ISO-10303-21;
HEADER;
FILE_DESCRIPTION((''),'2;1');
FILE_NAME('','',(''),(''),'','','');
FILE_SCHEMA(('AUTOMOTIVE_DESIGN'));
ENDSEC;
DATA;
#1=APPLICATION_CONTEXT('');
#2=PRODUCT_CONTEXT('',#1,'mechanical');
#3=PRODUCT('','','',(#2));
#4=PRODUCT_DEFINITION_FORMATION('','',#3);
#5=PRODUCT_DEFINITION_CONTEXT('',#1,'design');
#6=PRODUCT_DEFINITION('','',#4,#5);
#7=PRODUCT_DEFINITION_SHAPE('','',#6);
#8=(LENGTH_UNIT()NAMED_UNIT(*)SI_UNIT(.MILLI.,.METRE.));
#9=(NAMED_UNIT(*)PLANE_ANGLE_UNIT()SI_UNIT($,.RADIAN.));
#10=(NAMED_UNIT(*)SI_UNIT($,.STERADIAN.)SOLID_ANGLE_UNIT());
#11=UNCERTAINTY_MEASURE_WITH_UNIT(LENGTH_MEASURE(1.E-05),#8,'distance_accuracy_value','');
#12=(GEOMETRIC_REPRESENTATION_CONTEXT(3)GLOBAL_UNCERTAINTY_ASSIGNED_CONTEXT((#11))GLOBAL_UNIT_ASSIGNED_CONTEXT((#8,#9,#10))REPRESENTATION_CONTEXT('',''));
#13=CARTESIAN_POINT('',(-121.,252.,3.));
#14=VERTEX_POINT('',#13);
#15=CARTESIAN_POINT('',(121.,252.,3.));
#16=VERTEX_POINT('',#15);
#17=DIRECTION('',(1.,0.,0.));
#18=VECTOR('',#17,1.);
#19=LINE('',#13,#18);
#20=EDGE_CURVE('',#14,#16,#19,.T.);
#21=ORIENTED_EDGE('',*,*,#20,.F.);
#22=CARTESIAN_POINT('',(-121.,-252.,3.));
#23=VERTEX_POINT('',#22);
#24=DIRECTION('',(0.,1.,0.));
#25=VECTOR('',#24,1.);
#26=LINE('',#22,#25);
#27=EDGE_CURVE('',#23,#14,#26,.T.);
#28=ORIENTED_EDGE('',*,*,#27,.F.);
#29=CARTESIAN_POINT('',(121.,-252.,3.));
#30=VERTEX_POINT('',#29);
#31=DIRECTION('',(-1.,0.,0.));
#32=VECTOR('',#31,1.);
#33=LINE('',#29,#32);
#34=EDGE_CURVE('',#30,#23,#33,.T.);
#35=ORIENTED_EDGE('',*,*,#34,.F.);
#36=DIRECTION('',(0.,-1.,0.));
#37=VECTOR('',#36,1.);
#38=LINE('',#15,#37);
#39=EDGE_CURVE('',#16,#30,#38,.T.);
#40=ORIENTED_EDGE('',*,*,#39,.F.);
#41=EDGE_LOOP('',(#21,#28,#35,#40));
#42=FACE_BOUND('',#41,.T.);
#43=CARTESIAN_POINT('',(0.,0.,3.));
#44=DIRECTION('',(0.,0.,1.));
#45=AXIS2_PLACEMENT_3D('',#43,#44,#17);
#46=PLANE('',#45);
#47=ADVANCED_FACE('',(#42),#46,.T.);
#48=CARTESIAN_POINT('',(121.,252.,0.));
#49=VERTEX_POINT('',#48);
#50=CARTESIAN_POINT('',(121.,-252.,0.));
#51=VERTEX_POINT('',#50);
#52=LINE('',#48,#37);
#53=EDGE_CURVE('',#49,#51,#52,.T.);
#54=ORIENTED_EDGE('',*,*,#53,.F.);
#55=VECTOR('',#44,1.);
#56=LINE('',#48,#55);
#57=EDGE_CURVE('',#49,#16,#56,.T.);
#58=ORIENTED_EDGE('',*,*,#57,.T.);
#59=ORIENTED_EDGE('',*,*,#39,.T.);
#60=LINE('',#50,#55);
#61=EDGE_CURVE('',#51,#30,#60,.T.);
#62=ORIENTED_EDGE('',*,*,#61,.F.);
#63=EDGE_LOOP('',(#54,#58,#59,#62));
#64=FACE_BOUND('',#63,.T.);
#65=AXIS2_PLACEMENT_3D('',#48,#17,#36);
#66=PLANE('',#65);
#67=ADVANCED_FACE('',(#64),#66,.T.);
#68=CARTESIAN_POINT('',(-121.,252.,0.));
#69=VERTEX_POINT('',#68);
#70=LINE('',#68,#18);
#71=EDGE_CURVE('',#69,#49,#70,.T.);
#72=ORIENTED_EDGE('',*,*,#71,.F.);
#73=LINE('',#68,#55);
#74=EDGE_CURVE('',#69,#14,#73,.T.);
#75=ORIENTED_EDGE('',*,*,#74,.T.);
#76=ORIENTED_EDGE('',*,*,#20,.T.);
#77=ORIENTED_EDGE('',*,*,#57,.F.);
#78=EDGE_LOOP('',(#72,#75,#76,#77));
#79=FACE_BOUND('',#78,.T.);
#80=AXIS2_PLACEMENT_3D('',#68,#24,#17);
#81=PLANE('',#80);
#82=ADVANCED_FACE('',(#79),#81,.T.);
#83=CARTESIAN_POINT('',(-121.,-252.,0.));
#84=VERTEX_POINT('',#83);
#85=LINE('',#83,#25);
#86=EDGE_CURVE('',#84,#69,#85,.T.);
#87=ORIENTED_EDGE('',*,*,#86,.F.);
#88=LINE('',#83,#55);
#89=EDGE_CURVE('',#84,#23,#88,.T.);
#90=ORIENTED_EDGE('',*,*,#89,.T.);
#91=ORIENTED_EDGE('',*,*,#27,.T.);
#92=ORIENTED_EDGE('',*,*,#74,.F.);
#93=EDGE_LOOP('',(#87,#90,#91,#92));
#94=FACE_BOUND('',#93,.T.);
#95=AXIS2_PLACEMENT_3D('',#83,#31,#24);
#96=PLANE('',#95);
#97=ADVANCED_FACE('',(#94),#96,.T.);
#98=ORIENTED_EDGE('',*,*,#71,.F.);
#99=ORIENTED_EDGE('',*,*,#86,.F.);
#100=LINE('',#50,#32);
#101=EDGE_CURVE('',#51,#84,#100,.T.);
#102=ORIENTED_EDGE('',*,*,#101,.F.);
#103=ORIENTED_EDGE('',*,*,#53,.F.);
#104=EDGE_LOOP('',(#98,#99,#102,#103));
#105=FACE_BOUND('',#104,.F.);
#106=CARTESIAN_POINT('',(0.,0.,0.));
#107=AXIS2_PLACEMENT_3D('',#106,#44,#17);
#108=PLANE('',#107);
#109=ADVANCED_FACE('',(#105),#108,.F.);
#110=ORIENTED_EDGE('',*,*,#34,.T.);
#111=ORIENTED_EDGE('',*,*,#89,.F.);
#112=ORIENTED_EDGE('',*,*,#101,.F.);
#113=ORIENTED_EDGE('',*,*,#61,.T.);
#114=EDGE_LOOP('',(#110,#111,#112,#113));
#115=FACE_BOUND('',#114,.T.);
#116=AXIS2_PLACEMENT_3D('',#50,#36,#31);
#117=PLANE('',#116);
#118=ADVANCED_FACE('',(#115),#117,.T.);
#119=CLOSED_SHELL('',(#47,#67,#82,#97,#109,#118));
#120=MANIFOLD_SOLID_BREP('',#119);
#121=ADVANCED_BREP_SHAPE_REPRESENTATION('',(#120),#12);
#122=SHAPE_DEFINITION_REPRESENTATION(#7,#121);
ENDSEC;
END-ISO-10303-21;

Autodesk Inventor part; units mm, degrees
ref_plane "YZ Plane" through (0, 0, 0) normal (1, 0, 0) x (0, 1, 0)
ref_plane "XZ Plane" through (0, 0, 0) normal (0, 1, 0) x (-1, 0, 0)
ref_plane "XY Plane" through (0, 0, 0) normal (0, 0, 1) x (1, 0, 0)
sketch "Skizze1" plane through (0, 0, 0) normal (0, 0, 1) x (1, 0, 0)
  line L0 (121, -252) -> (-121, -252)
  line L1 (-121, -252) -> (-121, 252)
  line L2 (-121, 252) -> (121, 252)
  line L3 (121, 252) -> (121, -252)
  line L4 (121, -252) -> (-121, 252) construction
  line L5 (-121, -252) -> (121, 252) construction
  point P0 (0, 0)
  dimension "d0" = 242
  dimension "d1" = 504
extrude "Extrusion1" add sketch "Skizze1" along normal blind 3
properties part number "Panel Door" material "Polycarbonat, klar"
